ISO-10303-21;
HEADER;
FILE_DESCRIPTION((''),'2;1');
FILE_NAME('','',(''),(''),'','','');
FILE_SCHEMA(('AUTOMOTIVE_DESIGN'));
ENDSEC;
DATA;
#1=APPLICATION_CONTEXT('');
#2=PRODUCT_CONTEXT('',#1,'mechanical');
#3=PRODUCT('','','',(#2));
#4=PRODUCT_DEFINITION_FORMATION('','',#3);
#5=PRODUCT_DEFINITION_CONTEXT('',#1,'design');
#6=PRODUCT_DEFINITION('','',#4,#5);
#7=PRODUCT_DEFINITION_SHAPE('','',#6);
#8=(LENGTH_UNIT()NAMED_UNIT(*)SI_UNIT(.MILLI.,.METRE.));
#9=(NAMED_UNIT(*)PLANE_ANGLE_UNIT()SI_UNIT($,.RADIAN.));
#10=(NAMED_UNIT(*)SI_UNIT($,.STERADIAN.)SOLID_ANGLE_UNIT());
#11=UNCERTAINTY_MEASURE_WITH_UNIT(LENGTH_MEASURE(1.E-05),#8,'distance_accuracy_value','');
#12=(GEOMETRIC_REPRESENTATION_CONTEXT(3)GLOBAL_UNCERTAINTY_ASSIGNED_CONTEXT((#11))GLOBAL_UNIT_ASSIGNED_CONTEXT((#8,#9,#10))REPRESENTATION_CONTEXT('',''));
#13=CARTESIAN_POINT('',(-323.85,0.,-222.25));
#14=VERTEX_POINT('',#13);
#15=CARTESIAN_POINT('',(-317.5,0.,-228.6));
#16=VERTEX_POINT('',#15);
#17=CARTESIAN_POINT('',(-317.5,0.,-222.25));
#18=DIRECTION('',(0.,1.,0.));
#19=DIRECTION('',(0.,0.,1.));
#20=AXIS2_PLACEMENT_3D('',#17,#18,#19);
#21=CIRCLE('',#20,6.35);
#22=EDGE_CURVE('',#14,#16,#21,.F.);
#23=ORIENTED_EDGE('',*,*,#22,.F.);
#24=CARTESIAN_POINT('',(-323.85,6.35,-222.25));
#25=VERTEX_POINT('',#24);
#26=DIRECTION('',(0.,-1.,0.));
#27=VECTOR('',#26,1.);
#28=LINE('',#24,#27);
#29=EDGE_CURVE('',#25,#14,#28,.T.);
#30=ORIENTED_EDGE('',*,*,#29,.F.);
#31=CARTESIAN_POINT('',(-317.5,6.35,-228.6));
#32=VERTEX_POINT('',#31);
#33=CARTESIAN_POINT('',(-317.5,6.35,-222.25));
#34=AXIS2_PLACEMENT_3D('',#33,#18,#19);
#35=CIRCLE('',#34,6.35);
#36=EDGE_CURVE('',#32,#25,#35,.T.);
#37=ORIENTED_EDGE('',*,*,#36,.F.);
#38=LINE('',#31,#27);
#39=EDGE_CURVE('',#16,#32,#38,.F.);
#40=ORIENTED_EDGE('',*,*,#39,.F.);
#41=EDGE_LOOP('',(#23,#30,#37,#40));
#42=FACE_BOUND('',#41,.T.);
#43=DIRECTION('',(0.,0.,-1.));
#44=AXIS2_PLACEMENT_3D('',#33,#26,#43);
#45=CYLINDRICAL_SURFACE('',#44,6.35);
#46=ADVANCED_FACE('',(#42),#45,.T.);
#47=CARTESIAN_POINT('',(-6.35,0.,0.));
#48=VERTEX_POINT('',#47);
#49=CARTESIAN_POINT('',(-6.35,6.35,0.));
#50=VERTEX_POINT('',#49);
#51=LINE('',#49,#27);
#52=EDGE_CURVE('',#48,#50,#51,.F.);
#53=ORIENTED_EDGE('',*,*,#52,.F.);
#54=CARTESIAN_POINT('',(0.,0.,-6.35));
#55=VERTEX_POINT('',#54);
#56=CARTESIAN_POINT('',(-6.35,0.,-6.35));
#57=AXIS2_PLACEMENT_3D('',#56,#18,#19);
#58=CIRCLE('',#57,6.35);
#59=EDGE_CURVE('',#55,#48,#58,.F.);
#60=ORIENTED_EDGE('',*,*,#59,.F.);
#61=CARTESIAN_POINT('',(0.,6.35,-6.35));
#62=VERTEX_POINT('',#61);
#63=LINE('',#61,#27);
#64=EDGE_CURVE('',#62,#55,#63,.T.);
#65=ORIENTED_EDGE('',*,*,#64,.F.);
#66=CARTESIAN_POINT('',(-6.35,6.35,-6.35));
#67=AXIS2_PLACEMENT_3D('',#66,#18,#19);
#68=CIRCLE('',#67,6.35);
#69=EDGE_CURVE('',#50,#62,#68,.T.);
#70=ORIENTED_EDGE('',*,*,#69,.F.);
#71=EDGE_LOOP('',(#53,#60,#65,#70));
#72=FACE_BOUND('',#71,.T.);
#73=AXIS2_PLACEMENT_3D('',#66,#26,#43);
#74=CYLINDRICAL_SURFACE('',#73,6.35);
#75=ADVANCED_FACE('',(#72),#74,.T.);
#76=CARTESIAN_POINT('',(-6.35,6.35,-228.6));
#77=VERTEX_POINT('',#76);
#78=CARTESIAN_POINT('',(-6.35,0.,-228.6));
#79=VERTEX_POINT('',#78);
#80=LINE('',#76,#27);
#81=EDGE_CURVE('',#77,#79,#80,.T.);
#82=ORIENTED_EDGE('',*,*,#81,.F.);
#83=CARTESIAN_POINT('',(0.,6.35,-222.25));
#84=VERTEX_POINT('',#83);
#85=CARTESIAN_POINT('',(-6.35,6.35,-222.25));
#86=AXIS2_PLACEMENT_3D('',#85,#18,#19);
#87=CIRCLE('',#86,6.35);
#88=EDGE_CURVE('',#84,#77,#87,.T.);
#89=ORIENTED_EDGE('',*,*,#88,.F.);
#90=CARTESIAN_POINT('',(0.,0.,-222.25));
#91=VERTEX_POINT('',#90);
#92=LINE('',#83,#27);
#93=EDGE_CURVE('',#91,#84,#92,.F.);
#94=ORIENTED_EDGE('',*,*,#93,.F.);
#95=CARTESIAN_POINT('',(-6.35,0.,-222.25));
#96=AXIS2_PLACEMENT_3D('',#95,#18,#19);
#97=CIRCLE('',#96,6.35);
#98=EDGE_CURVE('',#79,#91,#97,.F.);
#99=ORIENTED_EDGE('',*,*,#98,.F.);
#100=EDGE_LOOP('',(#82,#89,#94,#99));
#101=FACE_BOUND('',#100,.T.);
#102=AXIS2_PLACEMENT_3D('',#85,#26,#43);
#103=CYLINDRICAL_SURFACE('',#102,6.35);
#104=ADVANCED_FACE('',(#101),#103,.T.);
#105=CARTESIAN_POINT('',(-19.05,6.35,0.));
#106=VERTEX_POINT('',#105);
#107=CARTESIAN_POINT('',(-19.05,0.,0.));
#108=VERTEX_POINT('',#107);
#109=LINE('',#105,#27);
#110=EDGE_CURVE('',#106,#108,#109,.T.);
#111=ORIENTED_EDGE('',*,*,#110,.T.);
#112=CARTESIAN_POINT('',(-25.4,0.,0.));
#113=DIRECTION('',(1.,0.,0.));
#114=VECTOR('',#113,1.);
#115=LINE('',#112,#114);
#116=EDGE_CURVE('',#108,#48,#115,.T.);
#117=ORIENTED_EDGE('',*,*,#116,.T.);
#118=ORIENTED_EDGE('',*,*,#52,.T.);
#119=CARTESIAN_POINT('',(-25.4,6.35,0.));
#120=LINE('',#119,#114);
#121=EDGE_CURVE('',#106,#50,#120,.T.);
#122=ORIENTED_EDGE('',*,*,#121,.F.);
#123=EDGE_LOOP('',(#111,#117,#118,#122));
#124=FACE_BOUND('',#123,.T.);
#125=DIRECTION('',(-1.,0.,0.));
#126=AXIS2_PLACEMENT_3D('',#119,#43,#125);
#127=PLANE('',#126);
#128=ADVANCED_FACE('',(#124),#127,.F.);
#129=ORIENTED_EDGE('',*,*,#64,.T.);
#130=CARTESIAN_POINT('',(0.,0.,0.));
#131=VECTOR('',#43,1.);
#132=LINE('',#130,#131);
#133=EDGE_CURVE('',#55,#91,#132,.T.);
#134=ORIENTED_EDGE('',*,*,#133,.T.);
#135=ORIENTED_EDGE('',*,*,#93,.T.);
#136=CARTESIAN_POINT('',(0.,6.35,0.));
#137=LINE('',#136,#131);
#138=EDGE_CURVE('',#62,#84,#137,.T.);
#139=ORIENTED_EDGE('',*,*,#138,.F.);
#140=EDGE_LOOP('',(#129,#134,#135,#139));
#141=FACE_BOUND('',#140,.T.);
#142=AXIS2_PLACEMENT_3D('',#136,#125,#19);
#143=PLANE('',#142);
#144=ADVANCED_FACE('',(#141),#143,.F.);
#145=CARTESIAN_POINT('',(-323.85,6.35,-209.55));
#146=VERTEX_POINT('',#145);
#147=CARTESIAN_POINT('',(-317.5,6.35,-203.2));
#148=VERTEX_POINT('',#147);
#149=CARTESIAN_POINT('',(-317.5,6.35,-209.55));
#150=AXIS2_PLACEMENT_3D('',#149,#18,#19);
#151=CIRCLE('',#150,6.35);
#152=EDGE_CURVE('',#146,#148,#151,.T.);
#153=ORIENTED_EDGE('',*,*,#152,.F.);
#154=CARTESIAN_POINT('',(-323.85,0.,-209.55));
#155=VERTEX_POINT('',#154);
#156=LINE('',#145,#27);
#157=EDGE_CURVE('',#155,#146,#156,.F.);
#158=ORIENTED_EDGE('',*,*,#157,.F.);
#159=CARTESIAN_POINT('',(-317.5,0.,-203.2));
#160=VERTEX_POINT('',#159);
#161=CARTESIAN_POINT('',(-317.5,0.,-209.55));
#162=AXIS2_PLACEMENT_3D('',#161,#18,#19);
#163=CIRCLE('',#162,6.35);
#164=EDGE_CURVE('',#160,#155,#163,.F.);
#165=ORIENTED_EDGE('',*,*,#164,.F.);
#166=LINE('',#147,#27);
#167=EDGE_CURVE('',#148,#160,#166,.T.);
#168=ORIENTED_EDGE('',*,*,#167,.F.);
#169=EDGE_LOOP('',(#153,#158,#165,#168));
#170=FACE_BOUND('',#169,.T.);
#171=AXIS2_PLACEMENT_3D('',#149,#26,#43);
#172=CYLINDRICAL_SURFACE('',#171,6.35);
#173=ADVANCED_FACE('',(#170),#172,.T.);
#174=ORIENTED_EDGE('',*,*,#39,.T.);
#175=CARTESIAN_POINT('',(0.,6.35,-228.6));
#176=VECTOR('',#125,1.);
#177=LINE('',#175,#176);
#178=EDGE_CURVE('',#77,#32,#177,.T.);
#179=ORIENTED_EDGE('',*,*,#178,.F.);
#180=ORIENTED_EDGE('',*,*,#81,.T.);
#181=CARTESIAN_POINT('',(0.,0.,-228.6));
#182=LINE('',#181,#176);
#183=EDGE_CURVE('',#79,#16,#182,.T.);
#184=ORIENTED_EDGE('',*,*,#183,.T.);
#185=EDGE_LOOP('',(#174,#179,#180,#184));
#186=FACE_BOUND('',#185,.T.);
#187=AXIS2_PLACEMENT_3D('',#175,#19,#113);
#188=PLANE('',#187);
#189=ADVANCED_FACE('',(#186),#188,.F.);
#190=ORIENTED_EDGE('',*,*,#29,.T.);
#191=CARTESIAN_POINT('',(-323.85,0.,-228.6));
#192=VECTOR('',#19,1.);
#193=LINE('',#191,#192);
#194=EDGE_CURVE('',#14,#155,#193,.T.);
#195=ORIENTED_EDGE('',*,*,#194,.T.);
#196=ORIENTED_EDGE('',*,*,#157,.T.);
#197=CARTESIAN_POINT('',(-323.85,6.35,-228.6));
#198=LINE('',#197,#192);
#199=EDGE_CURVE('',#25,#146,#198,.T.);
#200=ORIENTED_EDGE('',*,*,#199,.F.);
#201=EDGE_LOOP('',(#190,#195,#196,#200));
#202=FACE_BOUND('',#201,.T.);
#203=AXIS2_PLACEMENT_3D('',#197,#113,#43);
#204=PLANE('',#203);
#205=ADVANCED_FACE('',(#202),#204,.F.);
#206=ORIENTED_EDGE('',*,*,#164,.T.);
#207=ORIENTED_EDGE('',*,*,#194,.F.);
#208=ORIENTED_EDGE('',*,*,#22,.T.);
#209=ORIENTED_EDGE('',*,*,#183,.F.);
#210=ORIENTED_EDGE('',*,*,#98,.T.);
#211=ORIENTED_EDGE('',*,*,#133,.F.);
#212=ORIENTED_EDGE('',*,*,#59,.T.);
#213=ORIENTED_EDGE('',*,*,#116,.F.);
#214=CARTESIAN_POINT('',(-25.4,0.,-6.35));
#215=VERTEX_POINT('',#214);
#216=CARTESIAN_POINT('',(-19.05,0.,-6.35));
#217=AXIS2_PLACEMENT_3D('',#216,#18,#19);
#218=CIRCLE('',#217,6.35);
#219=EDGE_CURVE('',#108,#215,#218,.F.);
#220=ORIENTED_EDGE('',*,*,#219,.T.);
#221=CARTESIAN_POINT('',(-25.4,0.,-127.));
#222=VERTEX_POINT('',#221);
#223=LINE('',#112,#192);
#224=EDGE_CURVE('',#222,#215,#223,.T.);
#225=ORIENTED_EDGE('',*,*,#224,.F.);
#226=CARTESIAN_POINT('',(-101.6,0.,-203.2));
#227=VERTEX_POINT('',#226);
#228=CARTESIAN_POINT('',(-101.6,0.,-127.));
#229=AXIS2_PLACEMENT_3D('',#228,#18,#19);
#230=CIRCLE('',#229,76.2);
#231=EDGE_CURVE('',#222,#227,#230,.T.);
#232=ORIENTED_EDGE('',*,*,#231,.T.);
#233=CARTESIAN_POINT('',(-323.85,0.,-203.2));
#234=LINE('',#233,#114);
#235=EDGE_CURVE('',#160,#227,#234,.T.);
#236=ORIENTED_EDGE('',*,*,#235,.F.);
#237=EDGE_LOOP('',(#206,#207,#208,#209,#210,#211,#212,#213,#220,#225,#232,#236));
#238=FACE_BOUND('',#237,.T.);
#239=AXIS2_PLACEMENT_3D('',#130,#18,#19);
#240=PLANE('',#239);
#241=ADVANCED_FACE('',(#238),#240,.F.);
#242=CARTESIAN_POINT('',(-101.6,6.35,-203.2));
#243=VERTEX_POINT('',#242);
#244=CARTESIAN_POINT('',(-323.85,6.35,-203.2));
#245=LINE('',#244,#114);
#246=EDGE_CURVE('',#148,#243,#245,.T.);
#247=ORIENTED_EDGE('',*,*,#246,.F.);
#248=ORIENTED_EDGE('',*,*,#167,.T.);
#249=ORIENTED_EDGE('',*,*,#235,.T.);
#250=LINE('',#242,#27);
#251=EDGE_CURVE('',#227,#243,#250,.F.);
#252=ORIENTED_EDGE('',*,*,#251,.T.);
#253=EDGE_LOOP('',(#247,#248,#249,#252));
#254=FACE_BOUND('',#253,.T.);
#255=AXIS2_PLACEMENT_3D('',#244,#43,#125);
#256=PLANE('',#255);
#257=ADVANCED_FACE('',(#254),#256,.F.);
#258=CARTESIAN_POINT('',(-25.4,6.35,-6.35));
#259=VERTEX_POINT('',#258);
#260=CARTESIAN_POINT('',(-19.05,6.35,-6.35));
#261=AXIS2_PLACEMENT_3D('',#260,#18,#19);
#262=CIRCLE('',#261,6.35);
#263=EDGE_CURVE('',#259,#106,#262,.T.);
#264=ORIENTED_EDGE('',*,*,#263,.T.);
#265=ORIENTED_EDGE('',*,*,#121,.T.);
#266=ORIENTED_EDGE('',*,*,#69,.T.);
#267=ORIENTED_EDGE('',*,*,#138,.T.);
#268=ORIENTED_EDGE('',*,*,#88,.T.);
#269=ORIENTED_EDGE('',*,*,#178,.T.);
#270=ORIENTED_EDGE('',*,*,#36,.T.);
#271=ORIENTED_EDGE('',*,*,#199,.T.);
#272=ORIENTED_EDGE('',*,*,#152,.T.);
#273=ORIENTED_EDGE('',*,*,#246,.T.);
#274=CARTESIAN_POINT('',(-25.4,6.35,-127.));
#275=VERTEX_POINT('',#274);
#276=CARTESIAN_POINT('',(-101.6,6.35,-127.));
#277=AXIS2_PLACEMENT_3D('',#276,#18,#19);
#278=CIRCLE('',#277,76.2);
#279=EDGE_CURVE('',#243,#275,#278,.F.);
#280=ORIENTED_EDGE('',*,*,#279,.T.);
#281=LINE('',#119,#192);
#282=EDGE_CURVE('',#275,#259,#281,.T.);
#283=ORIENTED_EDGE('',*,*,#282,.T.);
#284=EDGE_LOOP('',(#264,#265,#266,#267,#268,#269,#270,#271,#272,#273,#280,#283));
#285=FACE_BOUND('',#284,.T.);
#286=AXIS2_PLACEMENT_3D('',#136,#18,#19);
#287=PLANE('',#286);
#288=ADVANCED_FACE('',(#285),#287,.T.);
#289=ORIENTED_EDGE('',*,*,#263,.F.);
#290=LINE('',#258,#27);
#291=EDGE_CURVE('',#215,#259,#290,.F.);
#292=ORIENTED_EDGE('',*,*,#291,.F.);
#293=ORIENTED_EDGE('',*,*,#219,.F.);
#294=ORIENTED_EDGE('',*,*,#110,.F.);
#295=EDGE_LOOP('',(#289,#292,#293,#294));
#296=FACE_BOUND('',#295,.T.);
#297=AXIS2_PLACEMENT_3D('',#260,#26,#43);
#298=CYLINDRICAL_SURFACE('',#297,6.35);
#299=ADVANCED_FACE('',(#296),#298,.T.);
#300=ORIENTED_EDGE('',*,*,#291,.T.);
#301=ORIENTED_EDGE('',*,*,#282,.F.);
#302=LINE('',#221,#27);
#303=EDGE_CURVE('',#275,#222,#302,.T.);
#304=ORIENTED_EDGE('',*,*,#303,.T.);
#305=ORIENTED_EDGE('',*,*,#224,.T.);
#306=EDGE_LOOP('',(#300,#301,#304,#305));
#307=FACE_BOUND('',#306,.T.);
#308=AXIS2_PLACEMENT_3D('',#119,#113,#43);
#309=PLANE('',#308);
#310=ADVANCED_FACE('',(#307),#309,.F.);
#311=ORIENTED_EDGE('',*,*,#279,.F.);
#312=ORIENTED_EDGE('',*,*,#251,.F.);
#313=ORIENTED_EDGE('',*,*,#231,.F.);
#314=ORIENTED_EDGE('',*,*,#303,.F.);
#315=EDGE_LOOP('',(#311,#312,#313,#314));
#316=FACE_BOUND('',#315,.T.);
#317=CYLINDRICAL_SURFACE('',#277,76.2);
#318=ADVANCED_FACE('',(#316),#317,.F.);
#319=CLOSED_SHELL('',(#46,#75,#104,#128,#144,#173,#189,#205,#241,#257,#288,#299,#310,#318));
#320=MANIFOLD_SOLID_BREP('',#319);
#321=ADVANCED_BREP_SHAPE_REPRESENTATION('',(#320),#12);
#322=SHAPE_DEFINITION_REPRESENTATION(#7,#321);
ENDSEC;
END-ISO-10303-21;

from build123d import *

# Parameters (mm, degrees)
BOSS_EXTRUDE1_DEPTH = 6.35
FILLET1_R           = 6.35
FILLET2_R           = 76.2


with BuildPart() as part:
    # Sketch1 → Boss-Extrude1 (new body)
    with BuildSketch(Plane(origin=(0, 0, 0), x_dir=(1, 0, 0), z_dir=(0, 1, 0))):
        Polygon((0, 0), (0, 228.6), (-323.85, 228.6), (-323.85, 203.2), (-25.4, 203.2), (-25.4, 0), align=None)
    extrude(amount=BOSS_EXTRUDE1_DEPTH)

    # Fillet1
    fillet1_edges = [part.edges().sort_by_distance(p)[0] for p in [
        (-25.4, 3.175, 0),
        (-323.85, 3.175, -203.2),
        (-323.85, 3.175, -228.6),
        (0, 3.175, -228.6),
        (0, 3.175, 0),
    ]]
    fillet(fillet1_edges, radius=FILLET1_R)

    # Fillet2
    fillet2_edges = [part.edges().sort_by_distance(p)[0] for p in [
        (-25.4, 3.175, -203.2),
    ]]
    fillet(fillet2_edges, radius=FILLET2_R)


solid = part.part
